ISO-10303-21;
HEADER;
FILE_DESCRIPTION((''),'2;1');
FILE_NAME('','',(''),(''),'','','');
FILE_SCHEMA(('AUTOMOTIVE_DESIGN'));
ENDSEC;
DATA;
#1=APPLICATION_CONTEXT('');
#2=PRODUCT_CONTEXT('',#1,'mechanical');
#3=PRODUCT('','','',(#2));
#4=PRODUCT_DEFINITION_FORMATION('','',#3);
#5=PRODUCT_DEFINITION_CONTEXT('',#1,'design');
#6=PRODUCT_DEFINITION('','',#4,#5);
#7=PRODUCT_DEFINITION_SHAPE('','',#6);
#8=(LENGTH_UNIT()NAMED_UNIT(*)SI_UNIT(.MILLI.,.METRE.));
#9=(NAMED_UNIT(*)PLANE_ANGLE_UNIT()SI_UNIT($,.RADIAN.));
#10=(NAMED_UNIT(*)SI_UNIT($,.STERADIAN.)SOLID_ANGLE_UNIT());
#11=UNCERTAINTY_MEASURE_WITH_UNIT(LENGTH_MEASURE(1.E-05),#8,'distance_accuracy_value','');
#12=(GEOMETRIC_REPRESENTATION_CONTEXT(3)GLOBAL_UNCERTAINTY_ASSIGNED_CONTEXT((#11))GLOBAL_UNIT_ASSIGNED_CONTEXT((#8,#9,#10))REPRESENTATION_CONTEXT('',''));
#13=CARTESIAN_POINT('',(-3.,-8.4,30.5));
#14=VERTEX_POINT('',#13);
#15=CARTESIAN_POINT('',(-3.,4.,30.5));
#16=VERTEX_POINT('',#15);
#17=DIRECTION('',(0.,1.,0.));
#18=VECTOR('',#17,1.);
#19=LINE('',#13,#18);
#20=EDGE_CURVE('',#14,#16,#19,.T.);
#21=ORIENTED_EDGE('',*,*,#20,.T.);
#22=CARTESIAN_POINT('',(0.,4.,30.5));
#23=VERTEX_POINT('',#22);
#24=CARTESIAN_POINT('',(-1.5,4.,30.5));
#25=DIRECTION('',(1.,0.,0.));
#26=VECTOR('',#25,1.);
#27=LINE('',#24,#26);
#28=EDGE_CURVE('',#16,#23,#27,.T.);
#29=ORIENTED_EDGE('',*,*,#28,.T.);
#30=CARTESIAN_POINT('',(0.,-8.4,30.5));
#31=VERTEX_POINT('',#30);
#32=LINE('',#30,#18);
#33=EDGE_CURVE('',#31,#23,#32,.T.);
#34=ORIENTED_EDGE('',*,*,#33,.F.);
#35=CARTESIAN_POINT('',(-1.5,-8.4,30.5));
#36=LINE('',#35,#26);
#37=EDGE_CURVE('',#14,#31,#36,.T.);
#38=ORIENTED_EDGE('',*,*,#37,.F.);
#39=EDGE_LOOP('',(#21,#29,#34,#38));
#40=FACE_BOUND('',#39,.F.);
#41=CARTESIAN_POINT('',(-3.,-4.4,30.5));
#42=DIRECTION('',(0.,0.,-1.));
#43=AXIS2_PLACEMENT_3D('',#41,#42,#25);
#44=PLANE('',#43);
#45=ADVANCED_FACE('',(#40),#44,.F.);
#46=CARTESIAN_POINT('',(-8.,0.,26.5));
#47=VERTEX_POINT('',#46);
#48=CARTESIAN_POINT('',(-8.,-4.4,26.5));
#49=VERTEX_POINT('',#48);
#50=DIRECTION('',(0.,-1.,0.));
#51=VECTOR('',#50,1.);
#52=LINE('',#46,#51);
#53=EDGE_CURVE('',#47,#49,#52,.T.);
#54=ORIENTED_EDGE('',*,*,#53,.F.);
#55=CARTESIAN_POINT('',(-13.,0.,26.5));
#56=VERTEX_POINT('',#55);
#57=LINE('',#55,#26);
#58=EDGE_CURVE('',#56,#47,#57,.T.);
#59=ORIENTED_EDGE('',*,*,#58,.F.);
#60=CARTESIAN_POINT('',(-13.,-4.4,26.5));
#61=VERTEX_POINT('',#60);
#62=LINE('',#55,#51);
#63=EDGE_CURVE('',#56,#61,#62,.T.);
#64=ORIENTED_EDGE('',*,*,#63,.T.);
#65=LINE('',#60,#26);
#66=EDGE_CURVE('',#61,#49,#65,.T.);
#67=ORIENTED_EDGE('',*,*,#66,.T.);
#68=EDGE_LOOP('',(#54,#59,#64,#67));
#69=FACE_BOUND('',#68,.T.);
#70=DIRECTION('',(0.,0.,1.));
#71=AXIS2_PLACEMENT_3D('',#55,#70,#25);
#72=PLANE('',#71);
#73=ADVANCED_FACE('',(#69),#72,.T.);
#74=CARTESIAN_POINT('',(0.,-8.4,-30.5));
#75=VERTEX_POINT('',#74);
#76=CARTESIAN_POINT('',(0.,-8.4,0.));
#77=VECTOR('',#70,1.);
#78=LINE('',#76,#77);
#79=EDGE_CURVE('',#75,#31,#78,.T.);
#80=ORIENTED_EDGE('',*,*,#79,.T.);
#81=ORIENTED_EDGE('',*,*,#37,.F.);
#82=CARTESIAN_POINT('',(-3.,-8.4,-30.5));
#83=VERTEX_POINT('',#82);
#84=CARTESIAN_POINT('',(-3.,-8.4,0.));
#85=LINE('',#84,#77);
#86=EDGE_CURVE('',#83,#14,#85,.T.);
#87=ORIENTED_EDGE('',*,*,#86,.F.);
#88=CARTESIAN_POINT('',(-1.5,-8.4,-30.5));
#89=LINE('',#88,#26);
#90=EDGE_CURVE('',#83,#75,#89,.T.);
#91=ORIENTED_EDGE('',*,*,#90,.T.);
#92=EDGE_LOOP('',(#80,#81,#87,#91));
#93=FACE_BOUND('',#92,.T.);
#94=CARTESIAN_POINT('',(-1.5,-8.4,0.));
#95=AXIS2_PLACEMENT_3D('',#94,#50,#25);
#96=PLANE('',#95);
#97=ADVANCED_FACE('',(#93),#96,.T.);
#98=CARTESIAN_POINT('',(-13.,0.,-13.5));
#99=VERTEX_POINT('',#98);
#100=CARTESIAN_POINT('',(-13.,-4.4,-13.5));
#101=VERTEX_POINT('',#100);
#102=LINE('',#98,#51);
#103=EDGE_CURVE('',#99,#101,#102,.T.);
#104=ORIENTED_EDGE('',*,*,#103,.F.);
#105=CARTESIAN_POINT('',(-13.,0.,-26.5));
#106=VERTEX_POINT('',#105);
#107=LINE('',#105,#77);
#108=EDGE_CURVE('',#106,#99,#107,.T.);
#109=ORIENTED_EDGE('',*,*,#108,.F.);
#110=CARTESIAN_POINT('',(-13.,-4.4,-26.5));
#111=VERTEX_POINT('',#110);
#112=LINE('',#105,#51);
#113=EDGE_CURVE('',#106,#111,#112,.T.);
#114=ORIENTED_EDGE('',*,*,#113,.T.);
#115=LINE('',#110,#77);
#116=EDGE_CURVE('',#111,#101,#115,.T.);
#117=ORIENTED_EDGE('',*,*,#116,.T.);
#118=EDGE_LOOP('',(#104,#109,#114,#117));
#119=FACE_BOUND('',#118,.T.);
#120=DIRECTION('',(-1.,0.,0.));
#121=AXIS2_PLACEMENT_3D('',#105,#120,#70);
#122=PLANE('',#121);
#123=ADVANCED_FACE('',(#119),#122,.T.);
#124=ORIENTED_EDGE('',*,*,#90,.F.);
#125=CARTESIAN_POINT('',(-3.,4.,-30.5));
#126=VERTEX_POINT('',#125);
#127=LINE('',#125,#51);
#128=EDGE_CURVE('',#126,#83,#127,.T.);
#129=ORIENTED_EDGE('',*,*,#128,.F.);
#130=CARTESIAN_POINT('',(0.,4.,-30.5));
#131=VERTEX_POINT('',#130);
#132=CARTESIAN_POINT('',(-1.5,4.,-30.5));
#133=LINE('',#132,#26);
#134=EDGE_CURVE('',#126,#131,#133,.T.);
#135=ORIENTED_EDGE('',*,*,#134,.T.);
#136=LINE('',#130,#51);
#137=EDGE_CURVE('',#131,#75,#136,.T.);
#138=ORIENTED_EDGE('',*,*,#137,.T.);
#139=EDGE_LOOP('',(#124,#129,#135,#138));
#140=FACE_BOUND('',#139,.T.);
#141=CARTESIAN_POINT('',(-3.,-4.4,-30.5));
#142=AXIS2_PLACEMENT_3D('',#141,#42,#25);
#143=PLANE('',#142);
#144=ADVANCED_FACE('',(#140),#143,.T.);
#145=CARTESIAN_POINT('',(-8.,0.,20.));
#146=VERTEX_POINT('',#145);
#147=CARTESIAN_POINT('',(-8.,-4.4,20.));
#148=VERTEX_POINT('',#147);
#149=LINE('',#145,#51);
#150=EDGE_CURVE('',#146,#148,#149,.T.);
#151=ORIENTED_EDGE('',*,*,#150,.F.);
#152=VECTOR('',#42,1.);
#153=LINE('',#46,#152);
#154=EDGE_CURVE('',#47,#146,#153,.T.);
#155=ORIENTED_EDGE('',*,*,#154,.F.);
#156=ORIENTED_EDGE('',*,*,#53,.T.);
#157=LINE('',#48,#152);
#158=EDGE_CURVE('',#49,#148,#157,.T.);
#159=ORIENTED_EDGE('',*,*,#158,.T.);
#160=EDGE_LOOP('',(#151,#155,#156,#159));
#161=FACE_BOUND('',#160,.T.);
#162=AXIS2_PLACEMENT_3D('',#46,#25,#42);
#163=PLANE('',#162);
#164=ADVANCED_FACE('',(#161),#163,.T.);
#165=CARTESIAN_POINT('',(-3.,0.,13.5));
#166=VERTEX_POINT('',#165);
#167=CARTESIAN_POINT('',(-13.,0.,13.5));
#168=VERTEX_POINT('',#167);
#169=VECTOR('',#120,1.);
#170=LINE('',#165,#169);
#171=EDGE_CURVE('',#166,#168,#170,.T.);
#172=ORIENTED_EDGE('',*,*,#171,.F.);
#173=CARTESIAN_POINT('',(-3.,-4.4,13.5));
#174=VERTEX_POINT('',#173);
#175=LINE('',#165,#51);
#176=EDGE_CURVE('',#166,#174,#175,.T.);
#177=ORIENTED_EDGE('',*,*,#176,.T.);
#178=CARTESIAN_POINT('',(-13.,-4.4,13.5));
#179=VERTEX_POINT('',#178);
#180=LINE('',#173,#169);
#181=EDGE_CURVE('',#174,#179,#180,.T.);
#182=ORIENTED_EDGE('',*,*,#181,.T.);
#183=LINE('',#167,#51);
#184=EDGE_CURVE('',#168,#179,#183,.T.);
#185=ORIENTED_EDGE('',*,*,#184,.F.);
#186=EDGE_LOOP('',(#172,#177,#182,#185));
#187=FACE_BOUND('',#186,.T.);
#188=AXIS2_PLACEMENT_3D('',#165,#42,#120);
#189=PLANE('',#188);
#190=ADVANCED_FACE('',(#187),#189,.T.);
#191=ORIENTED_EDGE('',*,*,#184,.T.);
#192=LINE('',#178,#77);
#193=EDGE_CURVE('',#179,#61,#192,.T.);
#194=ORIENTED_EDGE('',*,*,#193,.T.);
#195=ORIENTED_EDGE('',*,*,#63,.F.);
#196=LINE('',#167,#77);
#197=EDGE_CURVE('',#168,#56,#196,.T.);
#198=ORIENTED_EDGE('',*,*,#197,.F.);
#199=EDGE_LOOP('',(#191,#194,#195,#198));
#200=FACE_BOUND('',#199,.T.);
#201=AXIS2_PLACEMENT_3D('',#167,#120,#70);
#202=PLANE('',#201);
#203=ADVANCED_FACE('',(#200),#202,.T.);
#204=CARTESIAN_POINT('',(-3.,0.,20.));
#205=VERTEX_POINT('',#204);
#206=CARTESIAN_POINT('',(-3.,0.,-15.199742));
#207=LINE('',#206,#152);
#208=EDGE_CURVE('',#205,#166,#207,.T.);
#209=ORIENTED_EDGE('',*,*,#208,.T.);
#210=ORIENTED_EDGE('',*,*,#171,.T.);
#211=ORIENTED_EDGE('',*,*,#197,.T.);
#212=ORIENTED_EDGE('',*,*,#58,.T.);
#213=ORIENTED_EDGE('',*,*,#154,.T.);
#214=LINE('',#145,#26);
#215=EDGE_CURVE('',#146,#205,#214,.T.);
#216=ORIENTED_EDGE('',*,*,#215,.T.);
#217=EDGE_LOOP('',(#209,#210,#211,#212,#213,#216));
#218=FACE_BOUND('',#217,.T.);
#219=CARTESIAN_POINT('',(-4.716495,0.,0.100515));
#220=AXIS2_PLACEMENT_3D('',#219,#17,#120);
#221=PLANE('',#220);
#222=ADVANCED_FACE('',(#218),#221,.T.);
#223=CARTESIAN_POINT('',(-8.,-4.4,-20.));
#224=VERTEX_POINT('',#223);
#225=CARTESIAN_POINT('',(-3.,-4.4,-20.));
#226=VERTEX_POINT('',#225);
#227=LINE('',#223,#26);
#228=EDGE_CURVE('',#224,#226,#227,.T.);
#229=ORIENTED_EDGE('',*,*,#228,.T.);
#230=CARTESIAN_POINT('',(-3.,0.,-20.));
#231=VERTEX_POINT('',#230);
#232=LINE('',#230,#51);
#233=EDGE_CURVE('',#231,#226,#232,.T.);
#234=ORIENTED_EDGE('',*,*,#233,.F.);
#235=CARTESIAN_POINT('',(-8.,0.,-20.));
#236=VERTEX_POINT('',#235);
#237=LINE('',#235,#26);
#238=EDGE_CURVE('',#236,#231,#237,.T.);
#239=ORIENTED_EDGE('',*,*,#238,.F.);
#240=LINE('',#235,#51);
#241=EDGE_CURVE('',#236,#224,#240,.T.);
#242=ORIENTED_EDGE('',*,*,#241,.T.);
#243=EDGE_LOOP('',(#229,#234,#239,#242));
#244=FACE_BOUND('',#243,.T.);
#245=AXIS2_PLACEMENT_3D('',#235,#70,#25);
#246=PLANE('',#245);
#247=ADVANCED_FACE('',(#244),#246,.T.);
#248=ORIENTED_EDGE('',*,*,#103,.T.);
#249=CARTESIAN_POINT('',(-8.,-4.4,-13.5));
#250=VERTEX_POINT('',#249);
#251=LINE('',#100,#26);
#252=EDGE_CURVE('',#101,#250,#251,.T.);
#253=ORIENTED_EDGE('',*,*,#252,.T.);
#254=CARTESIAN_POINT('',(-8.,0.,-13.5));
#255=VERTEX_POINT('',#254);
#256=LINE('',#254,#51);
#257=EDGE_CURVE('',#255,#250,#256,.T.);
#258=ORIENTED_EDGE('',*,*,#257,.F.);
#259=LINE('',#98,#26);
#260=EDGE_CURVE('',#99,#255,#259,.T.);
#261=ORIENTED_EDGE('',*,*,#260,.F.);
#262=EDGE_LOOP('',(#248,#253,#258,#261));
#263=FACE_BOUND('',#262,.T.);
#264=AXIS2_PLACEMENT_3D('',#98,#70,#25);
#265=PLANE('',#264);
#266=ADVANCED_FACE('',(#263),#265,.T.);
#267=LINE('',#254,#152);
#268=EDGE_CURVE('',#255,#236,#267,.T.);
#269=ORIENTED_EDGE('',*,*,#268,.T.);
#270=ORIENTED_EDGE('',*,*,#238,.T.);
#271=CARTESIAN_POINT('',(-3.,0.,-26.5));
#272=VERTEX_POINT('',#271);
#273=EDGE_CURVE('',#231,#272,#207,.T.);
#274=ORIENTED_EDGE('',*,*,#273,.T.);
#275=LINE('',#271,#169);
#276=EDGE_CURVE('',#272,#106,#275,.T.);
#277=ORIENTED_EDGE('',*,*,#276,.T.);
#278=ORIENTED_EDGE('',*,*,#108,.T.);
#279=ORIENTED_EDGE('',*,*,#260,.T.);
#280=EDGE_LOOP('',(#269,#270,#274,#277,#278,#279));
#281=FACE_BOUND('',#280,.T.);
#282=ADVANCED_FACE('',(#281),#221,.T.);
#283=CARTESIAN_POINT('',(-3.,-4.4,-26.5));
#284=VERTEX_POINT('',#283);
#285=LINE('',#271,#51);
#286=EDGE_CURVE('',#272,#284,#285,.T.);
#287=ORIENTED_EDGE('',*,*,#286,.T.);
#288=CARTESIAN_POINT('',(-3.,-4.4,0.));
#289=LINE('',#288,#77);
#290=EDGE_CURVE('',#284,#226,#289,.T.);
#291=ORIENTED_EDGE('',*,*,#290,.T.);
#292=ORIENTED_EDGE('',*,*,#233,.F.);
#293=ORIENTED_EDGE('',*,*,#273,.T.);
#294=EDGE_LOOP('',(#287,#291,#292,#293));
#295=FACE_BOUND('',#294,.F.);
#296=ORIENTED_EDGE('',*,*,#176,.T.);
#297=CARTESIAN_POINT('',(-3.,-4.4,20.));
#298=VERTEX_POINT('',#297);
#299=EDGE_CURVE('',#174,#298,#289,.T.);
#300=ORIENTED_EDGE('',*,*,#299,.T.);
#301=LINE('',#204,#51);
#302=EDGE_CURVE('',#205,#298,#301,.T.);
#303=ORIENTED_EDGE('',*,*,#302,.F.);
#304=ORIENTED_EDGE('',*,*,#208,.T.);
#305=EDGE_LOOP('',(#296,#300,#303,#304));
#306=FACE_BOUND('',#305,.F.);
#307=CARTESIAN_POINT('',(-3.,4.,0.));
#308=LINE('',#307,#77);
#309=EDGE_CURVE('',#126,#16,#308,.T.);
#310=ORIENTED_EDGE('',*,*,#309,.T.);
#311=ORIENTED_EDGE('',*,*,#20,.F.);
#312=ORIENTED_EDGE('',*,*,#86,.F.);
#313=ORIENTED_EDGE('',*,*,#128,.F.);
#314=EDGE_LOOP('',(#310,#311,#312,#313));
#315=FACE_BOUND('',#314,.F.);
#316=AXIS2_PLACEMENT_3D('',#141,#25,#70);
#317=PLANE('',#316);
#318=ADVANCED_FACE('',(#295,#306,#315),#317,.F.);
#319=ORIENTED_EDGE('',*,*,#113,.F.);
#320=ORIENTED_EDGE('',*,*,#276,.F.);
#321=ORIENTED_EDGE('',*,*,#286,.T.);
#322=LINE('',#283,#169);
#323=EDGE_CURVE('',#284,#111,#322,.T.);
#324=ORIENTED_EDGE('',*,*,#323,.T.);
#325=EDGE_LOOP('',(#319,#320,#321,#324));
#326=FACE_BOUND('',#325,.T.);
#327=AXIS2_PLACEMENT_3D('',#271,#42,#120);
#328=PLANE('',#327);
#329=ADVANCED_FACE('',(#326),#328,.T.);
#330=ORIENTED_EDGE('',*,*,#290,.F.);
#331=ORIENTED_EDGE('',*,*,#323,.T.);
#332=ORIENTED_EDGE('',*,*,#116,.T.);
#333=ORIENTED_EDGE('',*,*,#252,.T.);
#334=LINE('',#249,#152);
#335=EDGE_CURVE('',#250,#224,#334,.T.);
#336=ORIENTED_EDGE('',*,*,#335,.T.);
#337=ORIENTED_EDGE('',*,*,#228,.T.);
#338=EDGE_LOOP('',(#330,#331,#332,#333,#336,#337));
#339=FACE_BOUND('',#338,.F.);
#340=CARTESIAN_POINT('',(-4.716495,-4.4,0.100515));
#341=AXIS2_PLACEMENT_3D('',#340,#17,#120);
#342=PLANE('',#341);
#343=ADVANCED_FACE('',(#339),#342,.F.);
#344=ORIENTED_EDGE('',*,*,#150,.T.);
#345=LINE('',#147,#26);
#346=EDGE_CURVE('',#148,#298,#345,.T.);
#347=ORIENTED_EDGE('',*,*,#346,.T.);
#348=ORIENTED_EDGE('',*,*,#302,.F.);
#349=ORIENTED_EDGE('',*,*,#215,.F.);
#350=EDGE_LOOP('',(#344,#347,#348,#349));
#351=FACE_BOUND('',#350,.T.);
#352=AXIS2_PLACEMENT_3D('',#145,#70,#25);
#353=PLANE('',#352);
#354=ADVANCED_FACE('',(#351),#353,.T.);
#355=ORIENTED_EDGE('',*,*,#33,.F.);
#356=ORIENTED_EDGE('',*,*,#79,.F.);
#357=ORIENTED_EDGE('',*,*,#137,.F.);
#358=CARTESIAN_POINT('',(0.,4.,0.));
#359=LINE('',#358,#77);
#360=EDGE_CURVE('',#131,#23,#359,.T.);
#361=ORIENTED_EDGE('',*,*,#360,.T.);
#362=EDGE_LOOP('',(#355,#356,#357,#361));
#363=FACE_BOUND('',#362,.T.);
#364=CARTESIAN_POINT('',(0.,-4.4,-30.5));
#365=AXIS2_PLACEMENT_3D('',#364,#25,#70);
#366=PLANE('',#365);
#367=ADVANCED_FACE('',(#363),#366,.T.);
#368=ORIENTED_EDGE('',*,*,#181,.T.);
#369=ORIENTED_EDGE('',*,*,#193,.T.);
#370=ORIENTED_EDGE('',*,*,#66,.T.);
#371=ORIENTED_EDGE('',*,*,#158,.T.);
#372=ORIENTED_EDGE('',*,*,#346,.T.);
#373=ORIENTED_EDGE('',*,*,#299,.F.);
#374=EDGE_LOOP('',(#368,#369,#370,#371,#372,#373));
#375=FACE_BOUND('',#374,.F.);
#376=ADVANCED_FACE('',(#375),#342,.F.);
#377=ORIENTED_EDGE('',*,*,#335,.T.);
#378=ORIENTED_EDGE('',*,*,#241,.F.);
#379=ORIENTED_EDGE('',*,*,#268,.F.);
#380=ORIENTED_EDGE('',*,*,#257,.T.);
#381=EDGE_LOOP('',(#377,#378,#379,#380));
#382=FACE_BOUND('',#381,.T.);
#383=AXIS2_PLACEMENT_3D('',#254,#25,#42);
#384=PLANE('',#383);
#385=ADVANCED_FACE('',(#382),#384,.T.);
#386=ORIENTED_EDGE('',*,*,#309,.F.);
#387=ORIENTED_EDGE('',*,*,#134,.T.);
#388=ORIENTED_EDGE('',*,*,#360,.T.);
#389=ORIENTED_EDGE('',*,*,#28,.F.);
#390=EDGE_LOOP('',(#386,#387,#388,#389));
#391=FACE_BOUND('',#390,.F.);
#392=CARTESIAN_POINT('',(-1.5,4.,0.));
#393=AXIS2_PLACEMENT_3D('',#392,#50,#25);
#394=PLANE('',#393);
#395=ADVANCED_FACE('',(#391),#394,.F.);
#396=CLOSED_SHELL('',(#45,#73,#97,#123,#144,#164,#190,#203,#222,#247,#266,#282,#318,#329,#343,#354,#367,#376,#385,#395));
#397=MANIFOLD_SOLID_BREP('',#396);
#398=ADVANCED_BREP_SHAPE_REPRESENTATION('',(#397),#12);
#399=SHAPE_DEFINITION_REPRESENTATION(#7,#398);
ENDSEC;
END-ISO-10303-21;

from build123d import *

# Parameters (mm, degrees)
PAD_DEPTH         = 4.4
SKETCH001_W       = 3
SKETCH001_H       = 61
PAD001_DEPTH      = 4
PAD001_DEPTH_BACK = 8.4


with BuildPart() as part:
    # Sketch → Pad (new body)
    with BuildSketch(Plane.XZ):
        Polygon((-3, -30.5), (-3, -26.5), (-13, -26.5), (-13, -13.5), (-8, -13.5), (-8, -20), (-3, -20), (-3, 13.5), (-13, 13.5), (-13, 26.5), (-8, 26.5), (-8, 20), (-3, 20), (-3, 30.5), (0, 30.5), (0, -30.5), align=None)
    extrude(amount=PAD_DEPTH)

    # Sketch001 (on Face18 of Pad) → Pad001 (join, two sides)
    with BuildSketch(Plane.XZ.offset(4.4)) as pad001_sk:
        with Locations((-1.5, 0)):
            Rectangle(SKETCH001_W, SKETCH001_H)
    extrude(amount=PAD001_DEPTH)
    extrude(pad001_sk.sketch, amount=-PAD001_DEPTH_BACK)


solid = part.part
